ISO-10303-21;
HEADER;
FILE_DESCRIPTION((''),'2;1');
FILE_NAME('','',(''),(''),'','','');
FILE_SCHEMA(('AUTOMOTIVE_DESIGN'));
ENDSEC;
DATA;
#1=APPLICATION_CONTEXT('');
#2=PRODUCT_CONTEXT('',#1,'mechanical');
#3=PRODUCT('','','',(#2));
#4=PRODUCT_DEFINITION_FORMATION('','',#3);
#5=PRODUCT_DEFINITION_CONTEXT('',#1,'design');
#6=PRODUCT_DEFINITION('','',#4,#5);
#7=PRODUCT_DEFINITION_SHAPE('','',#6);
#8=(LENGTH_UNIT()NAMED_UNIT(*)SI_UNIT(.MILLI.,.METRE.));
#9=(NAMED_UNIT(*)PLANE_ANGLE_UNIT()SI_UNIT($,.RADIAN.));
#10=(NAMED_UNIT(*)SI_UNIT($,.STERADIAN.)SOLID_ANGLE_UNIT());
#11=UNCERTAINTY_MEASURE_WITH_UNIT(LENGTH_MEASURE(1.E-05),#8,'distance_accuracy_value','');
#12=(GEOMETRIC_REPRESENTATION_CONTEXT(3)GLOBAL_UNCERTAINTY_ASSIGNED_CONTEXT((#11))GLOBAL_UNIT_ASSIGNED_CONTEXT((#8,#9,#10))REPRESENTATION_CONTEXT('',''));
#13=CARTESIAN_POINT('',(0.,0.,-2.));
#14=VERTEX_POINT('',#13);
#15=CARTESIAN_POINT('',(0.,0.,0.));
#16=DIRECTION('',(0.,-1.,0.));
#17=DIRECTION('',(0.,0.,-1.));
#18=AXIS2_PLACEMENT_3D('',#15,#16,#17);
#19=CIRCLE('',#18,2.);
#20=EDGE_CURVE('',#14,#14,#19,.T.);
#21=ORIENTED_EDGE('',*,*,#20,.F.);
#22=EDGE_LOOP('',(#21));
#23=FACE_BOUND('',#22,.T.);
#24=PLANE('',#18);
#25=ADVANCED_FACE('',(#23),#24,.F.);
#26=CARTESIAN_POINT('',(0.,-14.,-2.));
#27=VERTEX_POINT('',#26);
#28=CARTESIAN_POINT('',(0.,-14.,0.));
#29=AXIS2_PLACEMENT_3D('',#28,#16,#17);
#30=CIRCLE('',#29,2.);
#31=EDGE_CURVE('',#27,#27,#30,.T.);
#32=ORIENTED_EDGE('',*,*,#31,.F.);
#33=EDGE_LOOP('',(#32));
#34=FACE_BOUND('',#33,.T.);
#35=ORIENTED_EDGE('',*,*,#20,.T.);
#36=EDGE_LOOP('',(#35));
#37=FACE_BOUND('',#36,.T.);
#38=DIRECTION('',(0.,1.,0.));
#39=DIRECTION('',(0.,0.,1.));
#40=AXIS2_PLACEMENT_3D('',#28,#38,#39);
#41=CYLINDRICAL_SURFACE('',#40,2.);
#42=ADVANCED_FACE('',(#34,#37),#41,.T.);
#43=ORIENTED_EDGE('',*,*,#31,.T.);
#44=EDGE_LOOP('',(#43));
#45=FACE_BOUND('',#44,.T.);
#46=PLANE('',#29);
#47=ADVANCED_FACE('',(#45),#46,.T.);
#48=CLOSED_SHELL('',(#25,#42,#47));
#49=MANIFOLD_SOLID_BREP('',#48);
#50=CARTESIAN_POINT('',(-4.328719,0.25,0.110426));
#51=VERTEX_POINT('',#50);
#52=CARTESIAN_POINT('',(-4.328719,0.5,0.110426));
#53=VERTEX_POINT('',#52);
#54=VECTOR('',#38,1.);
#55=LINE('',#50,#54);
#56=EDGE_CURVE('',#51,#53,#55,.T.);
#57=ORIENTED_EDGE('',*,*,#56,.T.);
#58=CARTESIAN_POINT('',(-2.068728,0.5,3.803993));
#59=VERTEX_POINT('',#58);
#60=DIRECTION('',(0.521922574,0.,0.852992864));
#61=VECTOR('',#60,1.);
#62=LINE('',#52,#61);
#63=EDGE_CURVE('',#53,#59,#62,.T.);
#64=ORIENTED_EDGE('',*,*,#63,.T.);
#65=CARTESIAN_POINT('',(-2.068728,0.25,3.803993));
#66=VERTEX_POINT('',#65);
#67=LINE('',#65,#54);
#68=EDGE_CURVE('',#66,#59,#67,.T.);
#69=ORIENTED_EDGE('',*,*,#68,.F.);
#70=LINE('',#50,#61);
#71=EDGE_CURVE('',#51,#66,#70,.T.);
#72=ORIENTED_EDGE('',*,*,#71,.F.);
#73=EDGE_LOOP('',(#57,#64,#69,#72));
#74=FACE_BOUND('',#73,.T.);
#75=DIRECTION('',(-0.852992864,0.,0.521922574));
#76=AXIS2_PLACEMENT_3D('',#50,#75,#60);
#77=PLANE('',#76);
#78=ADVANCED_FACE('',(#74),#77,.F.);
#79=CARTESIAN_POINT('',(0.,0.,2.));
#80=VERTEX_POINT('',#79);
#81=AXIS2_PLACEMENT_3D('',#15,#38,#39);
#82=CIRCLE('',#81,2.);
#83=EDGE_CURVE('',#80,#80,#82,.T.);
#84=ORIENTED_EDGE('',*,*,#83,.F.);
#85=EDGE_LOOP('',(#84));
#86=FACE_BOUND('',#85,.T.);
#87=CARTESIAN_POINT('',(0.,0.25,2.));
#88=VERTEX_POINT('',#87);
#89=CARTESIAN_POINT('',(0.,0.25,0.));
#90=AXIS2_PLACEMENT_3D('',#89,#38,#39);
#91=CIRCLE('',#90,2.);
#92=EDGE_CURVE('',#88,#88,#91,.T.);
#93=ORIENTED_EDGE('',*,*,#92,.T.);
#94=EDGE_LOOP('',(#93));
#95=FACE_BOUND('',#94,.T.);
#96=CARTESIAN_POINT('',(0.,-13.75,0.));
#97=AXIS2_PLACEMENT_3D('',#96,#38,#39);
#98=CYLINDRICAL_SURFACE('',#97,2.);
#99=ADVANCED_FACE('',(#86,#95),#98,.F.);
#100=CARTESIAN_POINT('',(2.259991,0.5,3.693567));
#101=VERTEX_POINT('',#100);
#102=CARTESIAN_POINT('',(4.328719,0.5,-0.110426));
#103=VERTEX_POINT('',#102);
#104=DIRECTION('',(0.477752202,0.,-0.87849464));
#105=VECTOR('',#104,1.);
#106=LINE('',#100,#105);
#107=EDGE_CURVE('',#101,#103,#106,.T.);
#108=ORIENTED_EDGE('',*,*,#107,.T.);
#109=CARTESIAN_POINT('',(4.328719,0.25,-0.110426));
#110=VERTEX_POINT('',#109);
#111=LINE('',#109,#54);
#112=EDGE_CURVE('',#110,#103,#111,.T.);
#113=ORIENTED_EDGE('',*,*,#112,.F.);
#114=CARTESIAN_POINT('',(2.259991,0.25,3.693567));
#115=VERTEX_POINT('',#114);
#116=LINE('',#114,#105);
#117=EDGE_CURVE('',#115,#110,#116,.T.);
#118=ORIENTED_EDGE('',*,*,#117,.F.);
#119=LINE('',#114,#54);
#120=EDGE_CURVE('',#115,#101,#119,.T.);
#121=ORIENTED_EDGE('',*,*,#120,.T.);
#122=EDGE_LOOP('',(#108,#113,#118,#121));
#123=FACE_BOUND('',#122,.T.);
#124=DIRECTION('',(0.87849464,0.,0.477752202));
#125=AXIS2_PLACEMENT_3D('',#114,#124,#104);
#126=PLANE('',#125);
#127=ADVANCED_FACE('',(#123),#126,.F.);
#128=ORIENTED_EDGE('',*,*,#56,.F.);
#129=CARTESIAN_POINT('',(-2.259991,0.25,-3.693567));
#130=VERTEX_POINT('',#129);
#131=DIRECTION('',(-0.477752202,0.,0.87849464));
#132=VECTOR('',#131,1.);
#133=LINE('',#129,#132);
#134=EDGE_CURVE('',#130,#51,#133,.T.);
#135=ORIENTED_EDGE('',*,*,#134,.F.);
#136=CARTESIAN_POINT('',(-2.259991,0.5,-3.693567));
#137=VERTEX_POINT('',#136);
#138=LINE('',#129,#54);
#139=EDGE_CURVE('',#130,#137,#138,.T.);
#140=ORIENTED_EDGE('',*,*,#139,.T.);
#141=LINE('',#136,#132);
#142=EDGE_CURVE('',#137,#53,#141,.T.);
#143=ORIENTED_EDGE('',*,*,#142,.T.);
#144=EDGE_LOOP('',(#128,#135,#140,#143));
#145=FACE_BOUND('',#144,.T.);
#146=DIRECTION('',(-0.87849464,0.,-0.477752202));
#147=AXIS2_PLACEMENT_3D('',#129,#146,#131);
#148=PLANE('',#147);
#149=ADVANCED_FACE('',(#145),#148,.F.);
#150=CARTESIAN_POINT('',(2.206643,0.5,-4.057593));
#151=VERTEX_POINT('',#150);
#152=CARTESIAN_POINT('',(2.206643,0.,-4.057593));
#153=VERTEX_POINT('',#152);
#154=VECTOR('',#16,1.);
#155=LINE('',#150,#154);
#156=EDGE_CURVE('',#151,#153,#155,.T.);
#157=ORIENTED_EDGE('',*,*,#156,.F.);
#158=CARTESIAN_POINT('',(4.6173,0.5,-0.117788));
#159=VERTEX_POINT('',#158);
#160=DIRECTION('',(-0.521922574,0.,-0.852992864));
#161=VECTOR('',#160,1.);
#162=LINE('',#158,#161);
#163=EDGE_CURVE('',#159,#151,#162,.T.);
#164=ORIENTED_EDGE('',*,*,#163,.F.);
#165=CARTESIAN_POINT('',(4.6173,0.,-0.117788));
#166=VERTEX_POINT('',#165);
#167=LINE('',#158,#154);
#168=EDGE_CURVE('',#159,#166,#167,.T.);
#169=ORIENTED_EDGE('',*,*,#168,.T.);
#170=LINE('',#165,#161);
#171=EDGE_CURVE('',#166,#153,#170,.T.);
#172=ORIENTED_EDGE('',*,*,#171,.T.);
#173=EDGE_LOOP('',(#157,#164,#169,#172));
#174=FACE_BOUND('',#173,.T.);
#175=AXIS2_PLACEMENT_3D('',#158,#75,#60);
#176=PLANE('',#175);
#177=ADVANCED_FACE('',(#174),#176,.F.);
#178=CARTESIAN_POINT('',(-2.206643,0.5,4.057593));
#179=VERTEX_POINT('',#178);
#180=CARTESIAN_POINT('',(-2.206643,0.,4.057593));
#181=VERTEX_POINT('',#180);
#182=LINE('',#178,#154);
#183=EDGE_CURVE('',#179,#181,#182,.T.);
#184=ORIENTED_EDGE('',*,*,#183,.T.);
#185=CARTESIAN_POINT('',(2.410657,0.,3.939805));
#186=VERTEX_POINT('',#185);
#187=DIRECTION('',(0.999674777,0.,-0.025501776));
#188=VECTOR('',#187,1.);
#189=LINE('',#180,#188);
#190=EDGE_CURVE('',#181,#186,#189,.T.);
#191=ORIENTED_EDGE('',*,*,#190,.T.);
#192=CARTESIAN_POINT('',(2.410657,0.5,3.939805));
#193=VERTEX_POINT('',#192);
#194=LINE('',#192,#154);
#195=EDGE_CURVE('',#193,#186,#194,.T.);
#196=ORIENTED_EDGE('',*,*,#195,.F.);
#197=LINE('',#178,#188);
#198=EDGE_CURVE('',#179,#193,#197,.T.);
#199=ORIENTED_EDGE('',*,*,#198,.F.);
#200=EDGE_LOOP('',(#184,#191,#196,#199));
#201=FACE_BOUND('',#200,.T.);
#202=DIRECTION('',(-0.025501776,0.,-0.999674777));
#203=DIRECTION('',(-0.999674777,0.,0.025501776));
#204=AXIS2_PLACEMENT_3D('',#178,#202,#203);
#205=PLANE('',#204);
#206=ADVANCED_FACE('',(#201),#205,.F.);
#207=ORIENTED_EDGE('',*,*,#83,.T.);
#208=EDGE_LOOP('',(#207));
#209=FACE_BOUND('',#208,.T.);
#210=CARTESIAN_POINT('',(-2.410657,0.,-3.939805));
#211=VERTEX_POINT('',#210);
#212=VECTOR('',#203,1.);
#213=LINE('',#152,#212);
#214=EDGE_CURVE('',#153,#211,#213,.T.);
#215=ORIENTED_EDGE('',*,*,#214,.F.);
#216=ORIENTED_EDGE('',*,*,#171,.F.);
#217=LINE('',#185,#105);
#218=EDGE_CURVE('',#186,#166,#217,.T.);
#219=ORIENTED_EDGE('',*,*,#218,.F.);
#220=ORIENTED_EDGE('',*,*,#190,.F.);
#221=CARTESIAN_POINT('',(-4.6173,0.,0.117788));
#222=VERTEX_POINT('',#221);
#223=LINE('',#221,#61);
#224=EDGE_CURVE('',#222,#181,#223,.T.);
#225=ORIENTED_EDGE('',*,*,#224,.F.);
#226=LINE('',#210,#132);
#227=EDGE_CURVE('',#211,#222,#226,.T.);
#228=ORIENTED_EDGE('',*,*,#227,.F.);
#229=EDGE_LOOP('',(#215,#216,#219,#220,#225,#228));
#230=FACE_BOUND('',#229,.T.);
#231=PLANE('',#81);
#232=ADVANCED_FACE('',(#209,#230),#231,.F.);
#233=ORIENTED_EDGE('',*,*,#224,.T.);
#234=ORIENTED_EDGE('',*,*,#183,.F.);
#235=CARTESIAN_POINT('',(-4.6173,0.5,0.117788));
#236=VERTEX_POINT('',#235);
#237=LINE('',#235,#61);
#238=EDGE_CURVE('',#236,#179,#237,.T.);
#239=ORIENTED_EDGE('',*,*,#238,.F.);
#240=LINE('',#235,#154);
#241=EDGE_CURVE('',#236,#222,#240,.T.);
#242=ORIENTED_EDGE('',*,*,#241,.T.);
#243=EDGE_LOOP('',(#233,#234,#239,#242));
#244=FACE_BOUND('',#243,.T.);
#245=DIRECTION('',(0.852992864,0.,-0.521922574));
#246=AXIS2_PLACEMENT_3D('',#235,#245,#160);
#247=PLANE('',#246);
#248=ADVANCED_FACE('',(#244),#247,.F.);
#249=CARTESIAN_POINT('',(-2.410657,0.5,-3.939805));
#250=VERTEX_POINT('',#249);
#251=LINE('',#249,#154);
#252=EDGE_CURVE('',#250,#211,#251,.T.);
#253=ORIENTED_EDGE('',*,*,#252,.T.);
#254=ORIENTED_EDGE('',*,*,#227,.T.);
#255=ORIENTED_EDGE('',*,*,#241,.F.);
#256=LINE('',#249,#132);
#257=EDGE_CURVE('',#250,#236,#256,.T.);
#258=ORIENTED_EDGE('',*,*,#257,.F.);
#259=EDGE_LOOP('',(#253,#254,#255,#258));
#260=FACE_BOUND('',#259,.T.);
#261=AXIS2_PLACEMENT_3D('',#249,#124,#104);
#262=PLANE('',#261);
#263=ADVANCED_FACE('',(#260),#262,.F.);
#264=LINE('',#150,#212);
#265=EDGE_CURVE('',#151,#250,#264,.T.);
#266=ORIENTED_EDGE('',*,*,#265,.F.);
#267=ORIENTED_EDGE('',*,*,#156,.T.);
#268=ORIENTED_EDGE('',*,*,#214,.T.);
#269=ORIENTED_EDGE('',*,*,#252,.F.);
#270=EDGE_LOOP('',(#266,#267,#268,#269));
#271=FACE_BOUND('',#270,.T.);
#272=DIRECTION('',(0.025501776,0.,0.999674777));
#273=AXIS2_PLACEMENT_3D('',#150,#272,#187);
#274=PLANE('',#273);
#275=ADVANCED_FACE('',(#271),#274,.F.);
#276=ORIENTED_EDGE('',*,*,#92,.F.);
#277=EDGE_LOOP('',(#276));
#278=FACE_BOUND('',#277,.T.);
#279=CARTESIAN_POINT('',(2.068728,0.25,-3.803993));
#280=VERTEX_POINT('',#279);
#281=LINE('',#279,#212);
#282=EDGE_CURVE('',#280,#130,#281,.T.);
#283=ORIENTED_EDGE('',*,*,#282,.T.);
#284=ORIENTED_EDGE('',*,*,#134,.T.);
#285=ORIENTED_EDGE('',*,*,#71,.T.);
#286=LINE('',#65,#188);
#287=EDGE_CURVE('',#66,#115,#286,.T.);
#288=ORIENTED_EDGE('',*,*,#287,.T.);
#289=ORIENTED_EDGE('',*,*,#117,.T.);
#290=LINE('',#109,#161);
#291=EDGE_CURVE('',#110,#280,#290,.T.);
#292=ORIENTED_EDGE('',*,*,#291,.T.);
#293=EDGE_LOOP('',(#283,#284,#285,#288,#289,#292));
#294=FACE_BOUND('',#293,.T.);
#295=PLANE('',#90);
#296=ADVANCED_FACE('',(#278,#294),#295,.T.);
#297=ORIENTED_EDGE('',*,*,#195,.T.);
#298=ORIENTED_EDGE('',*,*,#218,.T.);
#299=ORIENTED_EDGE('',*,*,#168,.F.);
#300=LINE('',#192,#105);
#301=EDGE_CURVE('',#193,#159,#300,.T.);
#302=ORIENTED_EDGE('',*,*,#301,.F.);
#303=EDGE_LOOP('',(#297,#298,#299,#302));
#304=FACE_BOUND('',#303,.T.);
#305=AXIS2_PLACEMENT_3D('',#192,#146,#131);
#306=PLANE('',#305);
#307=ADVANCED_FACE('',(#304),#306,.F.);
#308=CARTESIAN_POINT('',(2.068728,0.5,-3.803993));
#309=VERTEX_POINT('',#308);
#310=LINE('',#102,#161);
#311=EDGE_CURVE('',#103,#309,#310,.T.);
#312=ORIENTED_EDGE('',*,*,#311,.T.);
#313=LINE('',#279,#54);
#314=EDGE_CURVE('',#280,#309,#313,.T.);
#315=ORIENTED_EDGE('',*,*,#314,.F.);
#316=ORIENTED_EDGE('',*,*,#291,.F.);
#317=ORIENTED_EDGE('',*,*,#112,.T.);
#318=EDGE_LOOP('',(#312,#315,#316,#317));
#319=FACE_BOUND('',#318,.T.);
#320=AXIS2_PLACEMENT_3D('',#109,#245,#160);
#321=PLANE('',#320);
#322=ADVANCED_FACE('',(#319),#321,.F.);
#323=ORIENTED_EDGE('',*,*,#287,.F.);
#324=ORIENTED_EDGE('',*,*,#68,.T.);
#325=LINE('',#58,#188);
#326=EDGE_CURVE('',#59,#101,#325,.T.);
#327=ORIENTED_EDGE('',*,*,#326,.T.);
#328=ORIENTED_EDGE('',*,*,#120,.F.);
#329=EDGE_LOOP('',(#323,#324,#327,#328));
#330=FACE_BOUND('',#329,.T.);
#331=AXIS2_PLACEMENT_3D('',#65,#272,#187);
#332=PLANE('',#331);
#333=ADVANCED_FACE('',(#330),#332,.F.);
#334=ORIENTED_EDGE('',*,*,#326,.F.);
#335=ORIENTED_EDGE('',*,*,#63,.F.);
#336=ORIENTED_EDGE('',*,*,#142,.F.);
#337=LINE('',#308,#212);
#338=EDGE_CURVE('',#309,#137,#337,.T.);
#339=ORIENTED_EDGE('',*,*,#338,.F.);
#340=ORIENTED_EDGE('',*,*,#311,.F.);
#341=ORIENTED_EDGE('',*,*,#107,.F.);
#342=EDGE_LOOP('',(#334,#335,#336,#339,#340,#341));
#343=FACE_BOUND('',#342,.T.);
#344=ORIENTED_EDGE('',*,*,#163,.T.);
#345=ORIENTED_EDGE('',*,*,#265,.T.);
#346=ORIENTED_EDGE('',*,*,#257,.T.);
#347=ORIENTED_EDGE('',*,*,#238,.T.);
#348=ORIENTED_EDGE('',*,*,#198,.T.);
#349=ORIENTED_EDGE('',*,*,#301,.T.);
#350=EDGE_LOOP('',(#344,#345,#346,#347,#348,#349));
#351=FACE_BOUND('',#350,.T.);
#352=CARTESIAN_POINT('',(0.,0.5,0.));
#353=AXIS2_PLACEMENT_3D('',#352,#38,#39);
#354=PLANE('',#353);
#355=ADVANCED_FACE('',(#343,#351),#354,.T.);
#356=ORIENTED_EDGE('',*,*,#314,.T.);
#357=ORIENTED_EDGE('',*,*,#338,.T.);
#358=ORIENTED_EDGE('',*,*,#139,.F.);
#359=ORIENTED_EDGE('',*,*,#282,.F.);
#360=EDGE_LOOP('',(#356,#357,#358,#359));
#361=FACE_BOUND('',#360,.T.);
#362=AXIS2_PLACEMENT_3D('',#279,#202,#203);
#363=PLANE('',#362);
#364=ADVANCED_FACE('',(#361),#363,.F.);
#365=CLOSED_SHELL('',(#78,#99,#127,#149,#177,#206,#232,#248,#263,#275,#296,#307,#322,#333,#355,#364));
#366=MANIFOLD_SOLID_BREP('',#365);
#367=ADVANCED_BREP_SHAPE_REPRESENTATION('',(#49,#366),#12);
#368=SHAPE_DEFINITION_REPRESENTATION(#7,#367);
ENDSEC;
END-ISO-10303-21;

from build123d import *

# Parameters (mm, degrees)
BOSS_EXTRUDE1_DEPTH = 0.5
CUT_EXTRUDE1_DEPTH  = 0.25
SKETCH5_R           = 2
CUT_EXTRUDE4_DEPTH  = 14
SKETCH6_R           = 2
BOSS_EXTRUDE3_DEPTH = 14


with BuildPart() as part:
    # Sketch1 → Boss-Extrude1 (new body)
    with BuildSketch(Plane(origin=(0, 0, 0), x_dir=(1, 0, 0), z_dir=(0, 1, 0))):
        Polygon((-2.410657111, 3.939805278), (-4.617300012, -0.117787659), (-2.206642901, -4.057592937), (2.410657111, -3.939805278), (4.617300012, 0.117787659), (2.206642901, 4.057592937), align=None)
    extrude(amount=BOSS_EXTRUDE1_DEPTH)

    # Sketch2 → Cut-Extrude1 (cut)
    with BuildSketch(Plane(origin=(0, 0.5, 0), x_dir=(1, 0, 0), z_dir=(0, 1, 0))):
        Polygon((4.328718761, 0.11042593), (2.06872772, 3.803993378), (-2.259991041, 3.693567448), (-4.328718761, -0.11042593), (-2.06872772, -3.803993378), (2.259991041, -3.693567448), align=None)
    extrude(amount=-CUT_EXTRUDE1_DEPTH, mode=Mode.SUBTRACT)

    # Sketch5 → Cut-Extrude4 (cut)
    with BuildSketch(Plane(origin=(0, 0.25, 0), x_dir=(1, 0, 0), z_dir=(0, 1, 0))):
        with Locations(Location((0, 0, 0), (0, 0, 270))):
            Circle(SKETCH5_R)
    extrude(amount=-CUT_EXTRUDE4_DEPTH, mode=Mode.SUBTRACT)


with BuildPart() as body_2:
    # Sketch6 → Boss-Extrude3 (new body)
    with BuildSketch(Plane.XZ):
        with Locations(Location((0, 0, 0), (0, 0, 270))):
            Circle(SKETCH6_R)
    extrude(amount=BOSS_EXTRUDE3_DEPTH)


solid = Compound([part.part, body_2.part])
